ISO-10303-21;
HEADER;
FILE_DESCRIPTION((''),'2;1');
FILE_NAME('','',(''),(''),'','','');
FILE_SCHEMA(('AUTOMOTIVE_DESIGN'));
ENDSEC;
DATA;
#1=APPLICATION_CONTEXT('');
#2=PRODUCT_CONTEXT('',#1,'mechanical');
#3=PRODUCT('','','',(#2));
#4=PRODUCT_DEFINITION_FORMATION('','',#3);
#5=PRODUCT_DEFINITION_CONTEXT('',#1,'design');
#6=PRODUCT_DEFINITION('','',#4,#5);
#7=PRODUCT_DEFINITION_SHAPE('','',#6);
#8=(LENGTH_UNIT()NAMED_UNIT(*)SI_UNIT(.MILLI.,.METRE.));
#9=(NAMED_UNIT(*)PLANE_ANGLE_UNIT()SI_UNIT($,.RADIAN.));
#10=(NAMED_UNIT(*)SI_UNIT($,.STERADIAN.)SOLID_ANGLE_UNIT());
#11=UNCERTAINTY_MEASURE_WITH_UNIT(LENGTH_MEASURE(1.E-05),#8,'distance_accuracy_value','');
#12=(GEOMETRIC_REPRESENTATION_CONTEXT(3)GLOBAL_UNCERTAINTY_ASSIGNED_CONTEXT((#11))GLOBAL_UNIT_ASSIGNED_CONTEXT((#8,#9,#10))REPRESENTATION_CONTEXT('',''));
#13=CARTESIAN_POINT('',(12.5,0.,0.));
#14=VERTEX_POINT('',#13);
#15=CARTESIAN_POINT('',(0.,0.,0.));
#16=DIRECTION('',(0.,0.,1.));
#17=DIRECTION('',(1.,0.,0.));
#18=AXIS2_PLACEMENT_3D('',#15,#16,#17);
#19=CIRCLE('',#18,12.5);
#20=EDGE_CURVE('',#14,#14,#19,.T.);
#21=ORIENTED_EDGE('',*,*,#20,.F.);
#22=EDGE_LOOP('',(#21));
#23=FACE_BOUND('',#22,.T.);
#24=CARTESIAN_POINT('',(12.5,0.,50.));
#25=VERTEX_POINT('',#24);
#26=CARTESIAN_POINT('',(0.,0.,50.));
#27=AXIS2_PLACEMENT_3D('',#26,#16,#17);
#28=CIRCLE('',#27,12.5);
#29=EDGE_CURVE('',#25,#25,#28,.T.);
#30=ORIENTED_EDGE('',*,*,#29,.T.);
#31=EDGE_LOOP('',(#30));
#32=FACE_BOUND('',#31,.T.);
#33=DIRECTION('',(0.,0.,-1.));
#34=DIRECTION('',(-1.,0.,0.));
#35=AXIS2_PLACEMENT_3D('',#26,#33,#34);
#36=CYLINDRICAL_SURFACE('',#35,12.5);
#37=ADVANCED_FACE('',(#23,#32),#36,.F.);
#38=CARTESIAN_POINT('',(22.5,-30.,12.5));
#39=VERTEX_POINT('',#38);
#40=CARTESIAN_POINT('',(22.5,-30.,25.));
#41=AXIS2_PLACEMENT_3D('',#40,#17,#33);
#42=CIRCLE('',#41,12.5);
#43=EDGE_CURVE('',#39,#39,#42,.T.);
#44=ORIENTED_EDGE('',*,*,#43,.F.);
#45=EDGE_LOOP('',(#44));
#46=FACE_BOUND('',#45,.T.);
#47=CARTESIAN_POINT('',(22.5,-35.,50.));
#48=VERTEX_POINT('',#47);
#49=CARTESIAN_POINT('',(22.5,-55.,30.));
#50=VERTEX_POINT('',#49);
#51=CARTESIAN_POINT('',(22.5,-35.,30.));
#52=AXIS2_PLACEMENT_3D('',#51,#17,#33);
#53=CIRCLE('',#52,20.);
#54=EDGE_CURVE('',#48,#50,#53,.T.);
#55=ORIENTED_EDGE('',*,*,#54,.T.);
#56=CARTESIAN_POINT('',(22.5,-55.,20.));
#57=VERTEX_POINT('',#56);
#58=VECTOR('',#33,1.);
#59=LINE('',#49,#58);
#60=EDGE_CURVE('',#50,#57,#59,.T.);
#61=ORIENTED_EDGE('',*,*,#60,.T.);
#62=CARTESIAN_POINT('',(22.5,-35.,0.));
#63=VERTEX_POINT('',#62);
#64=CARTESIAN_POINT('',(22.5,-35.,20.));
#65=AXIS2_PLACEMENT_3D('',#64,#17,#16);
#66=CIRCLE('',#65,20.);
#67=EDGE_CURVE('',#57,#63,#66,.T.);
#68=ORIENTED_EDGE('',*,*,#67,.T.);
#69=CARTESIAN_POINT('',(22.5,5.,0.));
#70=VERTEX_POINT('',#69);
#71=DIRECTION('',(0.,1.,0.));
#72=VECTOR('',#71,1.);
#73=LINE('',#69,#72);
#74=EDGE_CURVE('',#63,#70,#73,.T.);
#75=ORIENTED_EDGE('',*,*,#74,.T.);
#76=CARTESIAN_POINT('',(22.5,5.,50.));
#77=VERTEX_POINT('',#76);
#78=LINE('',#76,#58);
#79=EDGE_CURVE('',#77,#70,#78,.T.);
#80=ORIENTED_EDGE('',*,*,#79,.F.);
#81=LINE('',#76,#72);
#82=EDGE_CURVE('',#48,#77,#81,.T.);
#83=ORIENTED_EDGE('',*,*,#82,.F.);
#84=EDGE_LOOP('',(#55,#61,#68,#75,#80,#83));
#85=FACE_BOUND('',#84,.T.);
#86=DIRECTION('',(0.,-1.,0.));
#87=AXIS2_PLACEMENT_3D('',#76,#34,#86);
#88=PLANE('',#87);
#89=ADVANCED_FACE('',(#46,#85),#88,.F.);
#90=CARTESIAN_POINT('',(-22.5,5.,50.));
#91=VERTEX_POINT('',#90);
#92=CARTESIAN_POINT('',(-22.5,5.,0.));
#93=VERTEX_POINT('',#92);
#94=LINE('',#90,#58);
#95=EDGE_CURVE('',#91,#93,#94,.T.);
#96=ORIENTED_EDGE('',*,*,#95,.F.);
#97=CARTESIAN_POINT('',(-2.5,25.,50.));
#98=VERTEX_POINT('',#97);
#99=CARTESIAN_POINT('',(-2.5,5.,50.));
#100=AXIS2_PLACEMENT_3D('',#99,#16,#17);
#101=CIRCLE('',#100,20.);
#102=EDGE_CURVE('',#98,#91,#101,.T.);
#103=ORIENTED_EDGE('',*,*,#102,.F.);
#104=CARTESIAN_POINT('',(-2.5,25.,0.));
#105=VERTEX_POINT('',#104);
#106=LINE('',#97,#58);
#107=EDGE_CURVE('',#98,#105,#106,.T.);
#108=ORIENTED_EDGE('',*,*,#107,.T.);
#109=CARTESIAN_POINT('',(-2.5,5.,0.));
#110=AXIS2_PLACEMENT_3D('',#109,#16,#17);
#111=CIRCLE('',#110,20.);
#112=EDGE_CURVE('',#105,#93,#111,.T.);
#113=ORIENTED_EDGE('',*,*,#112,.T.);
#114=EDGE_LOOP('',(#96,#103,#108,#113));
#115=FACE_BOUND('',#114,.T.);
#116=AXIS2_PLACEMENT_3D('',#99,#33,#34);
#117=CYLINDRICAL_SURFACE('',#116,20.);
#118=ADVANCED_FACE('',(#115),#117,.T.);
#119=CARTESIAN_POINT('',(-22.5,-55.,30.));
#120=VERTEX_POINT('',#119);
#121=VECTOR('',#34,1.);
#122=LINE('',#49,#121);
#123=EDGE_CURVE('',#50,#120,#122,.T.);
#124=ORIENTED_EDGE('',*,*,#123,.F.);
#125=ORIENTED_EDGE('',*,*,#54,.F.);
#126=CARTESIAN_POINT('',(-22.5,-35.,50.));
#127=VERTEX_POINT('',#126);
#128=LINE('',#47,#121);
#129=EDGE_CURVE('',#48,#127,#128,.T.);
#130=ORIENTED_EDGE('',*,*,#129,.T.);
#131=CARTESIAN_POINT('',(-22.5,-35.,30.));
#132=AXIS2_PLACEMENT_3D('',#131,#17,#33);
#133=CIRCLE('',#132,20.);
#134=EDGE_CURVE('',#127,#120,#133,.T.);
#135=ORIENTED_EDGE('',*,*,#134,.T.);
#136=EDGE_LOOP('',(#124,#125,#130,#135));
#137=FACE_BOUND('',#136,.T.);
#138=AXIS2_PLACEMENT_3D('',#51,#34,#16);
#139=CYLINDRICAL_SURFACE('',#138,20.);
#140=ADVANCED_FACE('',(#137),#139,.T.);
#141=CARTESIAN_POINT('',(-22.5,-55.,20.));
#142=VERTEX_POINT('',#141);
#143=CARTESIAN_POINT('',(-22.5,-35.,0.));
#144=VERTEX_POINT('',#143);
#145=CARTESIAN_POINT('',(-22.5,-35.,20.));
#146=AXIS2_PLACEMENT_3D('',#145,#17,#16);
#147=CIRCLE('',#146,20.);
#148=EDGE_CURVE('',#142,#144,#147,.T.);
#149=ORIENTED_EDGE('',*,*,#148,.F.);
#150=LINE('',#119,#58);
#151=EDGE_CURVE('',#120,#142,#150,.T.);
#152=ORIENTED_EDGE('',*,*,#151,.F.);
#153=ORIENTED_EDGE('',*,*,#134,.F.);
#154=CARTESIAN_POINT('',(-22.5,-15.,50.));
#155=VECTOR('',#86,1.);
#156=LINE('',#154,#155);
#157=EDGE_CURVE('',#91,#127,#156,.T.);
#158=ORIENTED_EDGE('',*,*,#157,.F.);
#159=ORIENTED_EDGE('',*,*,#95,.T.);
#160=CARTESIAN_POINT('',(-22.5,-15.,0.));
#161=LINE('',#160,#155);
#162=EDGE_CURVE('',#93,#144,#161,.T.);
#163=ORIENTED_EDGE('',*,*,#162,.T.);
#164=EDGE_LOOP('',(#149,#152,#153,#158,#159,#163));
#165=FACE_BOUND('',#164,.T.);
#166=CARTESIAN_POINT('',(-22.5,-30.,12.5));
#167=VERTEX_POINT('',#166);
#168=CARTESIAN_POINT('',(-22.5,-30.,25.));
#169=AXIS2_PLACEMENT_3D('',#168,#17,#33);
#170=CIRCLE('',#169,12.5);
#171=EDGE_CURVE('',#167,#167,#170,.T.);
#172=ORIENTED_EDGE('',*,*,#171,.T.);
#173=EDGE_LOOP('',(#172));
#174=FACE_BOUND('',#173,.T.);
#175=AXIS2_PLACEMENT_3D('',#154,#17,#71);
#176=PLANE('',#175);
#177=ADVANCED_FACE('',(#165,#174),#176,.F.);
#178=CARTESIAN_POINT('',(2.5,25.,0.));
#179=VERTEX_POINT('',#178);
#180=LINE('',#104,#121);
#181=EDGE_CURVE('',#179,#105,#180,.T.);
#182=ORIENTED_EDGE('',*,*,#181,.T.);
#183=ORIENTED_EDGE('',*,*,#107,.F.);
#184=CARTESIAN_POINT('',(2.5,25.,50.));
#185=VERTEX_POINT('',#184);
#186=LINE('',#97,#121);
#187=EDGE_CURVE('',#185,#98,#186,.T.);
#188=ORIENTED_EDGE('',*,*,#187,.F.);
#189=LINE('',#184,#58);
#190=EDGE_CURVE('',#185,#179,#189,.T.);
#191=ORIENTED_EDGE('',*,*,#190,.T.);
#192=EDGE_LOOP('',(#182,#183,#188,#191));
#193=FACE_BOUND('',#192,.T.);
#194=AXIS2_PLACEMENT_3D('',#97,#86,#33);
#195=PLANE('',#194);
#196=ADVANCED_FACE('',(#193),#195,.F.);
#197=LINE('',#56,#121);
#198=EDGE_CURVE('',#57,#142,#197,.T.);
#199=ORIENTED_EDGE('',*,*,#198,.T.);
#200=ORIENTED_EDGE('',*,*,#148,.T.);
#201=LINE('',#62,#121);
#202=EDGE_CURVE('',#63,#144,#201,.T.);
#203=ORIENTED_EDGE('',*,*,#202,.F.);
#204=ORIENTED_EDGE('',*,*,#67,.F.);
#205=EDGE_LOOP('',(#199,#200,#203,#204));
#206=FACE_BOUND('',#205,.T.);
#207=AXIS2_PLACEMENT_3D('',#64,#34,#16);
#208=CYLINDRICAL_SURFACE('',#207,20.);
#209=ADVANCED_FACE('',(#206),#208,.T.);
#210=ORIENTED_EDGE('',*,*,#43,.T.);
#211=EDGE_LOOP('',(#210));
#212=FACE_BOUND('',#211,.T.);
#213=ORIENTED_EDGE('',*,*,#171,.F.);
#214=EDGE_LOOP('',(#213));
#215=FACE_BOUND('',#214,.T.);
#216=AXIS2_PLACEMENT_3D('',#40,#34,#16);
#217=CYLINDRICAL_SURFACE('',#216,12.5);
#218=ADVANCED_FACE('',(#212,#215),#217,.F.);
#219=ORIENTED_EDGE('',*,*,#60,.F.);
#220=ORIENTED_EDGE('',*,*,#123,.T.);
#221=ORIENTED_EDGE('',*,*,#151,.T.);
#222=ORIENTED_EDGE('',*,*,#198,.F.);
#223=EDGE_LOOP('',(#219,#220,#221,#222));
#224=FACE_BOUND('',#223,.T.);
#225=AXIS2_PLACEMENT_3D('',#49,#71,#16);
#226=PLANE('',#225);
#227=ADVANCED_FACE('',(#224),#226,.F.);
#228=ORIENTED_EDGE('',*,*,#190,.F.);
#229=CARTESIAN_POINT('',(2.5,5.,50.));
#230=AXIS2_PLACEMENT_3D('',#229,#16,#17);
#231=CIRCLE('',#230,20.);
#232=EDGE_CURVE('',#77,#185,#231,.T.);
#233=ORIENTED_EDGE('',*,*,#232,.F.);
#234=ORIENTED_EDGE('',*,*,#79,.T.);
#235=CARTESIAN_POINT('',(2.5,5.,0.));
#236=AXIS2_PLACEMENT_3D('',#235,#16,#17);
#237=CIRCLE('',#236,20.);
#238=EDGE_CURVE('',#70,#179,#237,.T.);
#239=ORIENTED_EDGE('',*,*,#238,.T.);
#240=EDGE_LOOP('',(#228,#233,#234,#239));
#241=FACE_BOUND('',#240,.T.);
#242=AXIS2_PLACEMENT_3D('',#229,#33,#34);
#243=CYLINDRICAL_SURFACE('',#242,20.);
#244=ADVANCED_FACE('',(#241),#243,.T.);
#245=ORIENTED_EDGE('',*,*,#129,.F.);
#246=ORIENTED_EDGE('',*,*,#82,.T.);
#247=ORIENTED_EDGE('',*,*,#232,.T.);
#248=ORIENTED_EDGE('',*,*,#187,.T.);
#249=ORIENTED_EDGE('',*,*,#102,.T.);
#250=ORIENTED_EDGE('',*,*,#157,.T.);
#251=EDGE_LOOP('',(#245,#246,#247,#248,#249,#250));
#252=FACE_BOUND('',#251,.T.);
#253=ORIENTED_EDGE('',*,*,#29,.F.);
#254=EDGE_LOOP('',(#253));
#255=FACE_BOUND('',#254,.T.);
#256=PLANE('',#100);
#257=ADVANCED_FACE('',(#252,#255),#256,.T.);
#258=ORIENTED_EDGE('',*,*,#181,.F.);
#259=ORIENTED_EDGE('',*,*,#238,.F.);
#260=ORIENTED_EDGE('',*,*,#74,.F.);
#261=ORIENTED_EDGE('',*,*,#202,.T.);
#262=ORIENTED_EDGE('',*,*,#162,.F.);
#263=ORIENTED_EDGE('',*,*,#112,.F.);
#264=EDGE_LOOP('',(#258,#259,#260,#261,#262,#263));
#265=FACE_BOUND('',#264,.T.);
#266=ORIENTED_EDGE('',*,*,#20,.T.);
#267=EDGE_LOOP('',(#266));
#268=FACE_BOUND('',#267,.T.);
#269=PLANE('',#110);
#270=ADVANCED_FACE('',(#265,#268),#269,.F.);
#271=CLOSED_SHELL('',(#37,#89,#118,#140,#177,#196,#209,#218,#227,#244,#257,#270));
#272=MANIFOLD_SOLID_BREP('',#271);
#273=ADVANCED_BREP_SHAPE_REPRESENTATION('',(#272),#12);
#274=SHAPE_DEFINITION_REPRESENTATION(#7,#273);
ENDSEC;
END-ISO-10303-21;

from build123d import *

# Parameters (mm, degrees)
SKETCH1_R           = 12.5
BOSS_EXTRUDE1_DEPTH = 50
SKETCH2_R           = 12.5
BOSS_EXTRUDE2_DEPTH = 22.5


with BuildPart() as part:
    # Sketch1 → Boss-Extrude1 (new body)
    with BuildSketch(Plane.XY):
        with BuildLine():
            Line((-2.5, 25), (2.5, 25))
            ThreePointArc((2.5, 25), (16.642135624, 19.142135624), (22.5, 5))
            Line((22.5, 5), (22.5, -15))
            Line((22.5, -15), (-22.5, -15))
            Line((-22.5, -15), (-22.5, 5))
            ThreePointArc((-22.5, 5), (-16.642135624, 19.142135624), (-2.5, 25))
        make_face()
        Circle(SKETCH1_R, mode=Mode.SUBTRACT)
    extrude(amount=BOSS_EXTRUDE1_DEPTH)

    # Sketch2 → Boss-Extrude2 (add, symmetric)
    with BuildSketch(Plane(origin=(0, 0, 0), x_dir=(0, 0, -1), z_dir=(1, 0, 0))):
        with BuildLine():
            Line((-50, -15), (-50, -35))
            ThreePointArc((-50, -35), (-44.142135624, -49.142135624), (-30, -55))
            Line((-30, -55), (-20, -55))
            ThreePointArc((-20, -55), (-5.857864376, -49.142135624), (0, -35))
            Line((0, -35), (0, -15))
            Line((0, -15), (-50, -15))
        make_face()
        with Locations((-25, -30)):
            Circle(SKETCH2_R, mode=Mode.SUBTRACT)
    extrude(amount=BOSS_EXTRUDE2_DEPTH, both=True)


solid = part.part
